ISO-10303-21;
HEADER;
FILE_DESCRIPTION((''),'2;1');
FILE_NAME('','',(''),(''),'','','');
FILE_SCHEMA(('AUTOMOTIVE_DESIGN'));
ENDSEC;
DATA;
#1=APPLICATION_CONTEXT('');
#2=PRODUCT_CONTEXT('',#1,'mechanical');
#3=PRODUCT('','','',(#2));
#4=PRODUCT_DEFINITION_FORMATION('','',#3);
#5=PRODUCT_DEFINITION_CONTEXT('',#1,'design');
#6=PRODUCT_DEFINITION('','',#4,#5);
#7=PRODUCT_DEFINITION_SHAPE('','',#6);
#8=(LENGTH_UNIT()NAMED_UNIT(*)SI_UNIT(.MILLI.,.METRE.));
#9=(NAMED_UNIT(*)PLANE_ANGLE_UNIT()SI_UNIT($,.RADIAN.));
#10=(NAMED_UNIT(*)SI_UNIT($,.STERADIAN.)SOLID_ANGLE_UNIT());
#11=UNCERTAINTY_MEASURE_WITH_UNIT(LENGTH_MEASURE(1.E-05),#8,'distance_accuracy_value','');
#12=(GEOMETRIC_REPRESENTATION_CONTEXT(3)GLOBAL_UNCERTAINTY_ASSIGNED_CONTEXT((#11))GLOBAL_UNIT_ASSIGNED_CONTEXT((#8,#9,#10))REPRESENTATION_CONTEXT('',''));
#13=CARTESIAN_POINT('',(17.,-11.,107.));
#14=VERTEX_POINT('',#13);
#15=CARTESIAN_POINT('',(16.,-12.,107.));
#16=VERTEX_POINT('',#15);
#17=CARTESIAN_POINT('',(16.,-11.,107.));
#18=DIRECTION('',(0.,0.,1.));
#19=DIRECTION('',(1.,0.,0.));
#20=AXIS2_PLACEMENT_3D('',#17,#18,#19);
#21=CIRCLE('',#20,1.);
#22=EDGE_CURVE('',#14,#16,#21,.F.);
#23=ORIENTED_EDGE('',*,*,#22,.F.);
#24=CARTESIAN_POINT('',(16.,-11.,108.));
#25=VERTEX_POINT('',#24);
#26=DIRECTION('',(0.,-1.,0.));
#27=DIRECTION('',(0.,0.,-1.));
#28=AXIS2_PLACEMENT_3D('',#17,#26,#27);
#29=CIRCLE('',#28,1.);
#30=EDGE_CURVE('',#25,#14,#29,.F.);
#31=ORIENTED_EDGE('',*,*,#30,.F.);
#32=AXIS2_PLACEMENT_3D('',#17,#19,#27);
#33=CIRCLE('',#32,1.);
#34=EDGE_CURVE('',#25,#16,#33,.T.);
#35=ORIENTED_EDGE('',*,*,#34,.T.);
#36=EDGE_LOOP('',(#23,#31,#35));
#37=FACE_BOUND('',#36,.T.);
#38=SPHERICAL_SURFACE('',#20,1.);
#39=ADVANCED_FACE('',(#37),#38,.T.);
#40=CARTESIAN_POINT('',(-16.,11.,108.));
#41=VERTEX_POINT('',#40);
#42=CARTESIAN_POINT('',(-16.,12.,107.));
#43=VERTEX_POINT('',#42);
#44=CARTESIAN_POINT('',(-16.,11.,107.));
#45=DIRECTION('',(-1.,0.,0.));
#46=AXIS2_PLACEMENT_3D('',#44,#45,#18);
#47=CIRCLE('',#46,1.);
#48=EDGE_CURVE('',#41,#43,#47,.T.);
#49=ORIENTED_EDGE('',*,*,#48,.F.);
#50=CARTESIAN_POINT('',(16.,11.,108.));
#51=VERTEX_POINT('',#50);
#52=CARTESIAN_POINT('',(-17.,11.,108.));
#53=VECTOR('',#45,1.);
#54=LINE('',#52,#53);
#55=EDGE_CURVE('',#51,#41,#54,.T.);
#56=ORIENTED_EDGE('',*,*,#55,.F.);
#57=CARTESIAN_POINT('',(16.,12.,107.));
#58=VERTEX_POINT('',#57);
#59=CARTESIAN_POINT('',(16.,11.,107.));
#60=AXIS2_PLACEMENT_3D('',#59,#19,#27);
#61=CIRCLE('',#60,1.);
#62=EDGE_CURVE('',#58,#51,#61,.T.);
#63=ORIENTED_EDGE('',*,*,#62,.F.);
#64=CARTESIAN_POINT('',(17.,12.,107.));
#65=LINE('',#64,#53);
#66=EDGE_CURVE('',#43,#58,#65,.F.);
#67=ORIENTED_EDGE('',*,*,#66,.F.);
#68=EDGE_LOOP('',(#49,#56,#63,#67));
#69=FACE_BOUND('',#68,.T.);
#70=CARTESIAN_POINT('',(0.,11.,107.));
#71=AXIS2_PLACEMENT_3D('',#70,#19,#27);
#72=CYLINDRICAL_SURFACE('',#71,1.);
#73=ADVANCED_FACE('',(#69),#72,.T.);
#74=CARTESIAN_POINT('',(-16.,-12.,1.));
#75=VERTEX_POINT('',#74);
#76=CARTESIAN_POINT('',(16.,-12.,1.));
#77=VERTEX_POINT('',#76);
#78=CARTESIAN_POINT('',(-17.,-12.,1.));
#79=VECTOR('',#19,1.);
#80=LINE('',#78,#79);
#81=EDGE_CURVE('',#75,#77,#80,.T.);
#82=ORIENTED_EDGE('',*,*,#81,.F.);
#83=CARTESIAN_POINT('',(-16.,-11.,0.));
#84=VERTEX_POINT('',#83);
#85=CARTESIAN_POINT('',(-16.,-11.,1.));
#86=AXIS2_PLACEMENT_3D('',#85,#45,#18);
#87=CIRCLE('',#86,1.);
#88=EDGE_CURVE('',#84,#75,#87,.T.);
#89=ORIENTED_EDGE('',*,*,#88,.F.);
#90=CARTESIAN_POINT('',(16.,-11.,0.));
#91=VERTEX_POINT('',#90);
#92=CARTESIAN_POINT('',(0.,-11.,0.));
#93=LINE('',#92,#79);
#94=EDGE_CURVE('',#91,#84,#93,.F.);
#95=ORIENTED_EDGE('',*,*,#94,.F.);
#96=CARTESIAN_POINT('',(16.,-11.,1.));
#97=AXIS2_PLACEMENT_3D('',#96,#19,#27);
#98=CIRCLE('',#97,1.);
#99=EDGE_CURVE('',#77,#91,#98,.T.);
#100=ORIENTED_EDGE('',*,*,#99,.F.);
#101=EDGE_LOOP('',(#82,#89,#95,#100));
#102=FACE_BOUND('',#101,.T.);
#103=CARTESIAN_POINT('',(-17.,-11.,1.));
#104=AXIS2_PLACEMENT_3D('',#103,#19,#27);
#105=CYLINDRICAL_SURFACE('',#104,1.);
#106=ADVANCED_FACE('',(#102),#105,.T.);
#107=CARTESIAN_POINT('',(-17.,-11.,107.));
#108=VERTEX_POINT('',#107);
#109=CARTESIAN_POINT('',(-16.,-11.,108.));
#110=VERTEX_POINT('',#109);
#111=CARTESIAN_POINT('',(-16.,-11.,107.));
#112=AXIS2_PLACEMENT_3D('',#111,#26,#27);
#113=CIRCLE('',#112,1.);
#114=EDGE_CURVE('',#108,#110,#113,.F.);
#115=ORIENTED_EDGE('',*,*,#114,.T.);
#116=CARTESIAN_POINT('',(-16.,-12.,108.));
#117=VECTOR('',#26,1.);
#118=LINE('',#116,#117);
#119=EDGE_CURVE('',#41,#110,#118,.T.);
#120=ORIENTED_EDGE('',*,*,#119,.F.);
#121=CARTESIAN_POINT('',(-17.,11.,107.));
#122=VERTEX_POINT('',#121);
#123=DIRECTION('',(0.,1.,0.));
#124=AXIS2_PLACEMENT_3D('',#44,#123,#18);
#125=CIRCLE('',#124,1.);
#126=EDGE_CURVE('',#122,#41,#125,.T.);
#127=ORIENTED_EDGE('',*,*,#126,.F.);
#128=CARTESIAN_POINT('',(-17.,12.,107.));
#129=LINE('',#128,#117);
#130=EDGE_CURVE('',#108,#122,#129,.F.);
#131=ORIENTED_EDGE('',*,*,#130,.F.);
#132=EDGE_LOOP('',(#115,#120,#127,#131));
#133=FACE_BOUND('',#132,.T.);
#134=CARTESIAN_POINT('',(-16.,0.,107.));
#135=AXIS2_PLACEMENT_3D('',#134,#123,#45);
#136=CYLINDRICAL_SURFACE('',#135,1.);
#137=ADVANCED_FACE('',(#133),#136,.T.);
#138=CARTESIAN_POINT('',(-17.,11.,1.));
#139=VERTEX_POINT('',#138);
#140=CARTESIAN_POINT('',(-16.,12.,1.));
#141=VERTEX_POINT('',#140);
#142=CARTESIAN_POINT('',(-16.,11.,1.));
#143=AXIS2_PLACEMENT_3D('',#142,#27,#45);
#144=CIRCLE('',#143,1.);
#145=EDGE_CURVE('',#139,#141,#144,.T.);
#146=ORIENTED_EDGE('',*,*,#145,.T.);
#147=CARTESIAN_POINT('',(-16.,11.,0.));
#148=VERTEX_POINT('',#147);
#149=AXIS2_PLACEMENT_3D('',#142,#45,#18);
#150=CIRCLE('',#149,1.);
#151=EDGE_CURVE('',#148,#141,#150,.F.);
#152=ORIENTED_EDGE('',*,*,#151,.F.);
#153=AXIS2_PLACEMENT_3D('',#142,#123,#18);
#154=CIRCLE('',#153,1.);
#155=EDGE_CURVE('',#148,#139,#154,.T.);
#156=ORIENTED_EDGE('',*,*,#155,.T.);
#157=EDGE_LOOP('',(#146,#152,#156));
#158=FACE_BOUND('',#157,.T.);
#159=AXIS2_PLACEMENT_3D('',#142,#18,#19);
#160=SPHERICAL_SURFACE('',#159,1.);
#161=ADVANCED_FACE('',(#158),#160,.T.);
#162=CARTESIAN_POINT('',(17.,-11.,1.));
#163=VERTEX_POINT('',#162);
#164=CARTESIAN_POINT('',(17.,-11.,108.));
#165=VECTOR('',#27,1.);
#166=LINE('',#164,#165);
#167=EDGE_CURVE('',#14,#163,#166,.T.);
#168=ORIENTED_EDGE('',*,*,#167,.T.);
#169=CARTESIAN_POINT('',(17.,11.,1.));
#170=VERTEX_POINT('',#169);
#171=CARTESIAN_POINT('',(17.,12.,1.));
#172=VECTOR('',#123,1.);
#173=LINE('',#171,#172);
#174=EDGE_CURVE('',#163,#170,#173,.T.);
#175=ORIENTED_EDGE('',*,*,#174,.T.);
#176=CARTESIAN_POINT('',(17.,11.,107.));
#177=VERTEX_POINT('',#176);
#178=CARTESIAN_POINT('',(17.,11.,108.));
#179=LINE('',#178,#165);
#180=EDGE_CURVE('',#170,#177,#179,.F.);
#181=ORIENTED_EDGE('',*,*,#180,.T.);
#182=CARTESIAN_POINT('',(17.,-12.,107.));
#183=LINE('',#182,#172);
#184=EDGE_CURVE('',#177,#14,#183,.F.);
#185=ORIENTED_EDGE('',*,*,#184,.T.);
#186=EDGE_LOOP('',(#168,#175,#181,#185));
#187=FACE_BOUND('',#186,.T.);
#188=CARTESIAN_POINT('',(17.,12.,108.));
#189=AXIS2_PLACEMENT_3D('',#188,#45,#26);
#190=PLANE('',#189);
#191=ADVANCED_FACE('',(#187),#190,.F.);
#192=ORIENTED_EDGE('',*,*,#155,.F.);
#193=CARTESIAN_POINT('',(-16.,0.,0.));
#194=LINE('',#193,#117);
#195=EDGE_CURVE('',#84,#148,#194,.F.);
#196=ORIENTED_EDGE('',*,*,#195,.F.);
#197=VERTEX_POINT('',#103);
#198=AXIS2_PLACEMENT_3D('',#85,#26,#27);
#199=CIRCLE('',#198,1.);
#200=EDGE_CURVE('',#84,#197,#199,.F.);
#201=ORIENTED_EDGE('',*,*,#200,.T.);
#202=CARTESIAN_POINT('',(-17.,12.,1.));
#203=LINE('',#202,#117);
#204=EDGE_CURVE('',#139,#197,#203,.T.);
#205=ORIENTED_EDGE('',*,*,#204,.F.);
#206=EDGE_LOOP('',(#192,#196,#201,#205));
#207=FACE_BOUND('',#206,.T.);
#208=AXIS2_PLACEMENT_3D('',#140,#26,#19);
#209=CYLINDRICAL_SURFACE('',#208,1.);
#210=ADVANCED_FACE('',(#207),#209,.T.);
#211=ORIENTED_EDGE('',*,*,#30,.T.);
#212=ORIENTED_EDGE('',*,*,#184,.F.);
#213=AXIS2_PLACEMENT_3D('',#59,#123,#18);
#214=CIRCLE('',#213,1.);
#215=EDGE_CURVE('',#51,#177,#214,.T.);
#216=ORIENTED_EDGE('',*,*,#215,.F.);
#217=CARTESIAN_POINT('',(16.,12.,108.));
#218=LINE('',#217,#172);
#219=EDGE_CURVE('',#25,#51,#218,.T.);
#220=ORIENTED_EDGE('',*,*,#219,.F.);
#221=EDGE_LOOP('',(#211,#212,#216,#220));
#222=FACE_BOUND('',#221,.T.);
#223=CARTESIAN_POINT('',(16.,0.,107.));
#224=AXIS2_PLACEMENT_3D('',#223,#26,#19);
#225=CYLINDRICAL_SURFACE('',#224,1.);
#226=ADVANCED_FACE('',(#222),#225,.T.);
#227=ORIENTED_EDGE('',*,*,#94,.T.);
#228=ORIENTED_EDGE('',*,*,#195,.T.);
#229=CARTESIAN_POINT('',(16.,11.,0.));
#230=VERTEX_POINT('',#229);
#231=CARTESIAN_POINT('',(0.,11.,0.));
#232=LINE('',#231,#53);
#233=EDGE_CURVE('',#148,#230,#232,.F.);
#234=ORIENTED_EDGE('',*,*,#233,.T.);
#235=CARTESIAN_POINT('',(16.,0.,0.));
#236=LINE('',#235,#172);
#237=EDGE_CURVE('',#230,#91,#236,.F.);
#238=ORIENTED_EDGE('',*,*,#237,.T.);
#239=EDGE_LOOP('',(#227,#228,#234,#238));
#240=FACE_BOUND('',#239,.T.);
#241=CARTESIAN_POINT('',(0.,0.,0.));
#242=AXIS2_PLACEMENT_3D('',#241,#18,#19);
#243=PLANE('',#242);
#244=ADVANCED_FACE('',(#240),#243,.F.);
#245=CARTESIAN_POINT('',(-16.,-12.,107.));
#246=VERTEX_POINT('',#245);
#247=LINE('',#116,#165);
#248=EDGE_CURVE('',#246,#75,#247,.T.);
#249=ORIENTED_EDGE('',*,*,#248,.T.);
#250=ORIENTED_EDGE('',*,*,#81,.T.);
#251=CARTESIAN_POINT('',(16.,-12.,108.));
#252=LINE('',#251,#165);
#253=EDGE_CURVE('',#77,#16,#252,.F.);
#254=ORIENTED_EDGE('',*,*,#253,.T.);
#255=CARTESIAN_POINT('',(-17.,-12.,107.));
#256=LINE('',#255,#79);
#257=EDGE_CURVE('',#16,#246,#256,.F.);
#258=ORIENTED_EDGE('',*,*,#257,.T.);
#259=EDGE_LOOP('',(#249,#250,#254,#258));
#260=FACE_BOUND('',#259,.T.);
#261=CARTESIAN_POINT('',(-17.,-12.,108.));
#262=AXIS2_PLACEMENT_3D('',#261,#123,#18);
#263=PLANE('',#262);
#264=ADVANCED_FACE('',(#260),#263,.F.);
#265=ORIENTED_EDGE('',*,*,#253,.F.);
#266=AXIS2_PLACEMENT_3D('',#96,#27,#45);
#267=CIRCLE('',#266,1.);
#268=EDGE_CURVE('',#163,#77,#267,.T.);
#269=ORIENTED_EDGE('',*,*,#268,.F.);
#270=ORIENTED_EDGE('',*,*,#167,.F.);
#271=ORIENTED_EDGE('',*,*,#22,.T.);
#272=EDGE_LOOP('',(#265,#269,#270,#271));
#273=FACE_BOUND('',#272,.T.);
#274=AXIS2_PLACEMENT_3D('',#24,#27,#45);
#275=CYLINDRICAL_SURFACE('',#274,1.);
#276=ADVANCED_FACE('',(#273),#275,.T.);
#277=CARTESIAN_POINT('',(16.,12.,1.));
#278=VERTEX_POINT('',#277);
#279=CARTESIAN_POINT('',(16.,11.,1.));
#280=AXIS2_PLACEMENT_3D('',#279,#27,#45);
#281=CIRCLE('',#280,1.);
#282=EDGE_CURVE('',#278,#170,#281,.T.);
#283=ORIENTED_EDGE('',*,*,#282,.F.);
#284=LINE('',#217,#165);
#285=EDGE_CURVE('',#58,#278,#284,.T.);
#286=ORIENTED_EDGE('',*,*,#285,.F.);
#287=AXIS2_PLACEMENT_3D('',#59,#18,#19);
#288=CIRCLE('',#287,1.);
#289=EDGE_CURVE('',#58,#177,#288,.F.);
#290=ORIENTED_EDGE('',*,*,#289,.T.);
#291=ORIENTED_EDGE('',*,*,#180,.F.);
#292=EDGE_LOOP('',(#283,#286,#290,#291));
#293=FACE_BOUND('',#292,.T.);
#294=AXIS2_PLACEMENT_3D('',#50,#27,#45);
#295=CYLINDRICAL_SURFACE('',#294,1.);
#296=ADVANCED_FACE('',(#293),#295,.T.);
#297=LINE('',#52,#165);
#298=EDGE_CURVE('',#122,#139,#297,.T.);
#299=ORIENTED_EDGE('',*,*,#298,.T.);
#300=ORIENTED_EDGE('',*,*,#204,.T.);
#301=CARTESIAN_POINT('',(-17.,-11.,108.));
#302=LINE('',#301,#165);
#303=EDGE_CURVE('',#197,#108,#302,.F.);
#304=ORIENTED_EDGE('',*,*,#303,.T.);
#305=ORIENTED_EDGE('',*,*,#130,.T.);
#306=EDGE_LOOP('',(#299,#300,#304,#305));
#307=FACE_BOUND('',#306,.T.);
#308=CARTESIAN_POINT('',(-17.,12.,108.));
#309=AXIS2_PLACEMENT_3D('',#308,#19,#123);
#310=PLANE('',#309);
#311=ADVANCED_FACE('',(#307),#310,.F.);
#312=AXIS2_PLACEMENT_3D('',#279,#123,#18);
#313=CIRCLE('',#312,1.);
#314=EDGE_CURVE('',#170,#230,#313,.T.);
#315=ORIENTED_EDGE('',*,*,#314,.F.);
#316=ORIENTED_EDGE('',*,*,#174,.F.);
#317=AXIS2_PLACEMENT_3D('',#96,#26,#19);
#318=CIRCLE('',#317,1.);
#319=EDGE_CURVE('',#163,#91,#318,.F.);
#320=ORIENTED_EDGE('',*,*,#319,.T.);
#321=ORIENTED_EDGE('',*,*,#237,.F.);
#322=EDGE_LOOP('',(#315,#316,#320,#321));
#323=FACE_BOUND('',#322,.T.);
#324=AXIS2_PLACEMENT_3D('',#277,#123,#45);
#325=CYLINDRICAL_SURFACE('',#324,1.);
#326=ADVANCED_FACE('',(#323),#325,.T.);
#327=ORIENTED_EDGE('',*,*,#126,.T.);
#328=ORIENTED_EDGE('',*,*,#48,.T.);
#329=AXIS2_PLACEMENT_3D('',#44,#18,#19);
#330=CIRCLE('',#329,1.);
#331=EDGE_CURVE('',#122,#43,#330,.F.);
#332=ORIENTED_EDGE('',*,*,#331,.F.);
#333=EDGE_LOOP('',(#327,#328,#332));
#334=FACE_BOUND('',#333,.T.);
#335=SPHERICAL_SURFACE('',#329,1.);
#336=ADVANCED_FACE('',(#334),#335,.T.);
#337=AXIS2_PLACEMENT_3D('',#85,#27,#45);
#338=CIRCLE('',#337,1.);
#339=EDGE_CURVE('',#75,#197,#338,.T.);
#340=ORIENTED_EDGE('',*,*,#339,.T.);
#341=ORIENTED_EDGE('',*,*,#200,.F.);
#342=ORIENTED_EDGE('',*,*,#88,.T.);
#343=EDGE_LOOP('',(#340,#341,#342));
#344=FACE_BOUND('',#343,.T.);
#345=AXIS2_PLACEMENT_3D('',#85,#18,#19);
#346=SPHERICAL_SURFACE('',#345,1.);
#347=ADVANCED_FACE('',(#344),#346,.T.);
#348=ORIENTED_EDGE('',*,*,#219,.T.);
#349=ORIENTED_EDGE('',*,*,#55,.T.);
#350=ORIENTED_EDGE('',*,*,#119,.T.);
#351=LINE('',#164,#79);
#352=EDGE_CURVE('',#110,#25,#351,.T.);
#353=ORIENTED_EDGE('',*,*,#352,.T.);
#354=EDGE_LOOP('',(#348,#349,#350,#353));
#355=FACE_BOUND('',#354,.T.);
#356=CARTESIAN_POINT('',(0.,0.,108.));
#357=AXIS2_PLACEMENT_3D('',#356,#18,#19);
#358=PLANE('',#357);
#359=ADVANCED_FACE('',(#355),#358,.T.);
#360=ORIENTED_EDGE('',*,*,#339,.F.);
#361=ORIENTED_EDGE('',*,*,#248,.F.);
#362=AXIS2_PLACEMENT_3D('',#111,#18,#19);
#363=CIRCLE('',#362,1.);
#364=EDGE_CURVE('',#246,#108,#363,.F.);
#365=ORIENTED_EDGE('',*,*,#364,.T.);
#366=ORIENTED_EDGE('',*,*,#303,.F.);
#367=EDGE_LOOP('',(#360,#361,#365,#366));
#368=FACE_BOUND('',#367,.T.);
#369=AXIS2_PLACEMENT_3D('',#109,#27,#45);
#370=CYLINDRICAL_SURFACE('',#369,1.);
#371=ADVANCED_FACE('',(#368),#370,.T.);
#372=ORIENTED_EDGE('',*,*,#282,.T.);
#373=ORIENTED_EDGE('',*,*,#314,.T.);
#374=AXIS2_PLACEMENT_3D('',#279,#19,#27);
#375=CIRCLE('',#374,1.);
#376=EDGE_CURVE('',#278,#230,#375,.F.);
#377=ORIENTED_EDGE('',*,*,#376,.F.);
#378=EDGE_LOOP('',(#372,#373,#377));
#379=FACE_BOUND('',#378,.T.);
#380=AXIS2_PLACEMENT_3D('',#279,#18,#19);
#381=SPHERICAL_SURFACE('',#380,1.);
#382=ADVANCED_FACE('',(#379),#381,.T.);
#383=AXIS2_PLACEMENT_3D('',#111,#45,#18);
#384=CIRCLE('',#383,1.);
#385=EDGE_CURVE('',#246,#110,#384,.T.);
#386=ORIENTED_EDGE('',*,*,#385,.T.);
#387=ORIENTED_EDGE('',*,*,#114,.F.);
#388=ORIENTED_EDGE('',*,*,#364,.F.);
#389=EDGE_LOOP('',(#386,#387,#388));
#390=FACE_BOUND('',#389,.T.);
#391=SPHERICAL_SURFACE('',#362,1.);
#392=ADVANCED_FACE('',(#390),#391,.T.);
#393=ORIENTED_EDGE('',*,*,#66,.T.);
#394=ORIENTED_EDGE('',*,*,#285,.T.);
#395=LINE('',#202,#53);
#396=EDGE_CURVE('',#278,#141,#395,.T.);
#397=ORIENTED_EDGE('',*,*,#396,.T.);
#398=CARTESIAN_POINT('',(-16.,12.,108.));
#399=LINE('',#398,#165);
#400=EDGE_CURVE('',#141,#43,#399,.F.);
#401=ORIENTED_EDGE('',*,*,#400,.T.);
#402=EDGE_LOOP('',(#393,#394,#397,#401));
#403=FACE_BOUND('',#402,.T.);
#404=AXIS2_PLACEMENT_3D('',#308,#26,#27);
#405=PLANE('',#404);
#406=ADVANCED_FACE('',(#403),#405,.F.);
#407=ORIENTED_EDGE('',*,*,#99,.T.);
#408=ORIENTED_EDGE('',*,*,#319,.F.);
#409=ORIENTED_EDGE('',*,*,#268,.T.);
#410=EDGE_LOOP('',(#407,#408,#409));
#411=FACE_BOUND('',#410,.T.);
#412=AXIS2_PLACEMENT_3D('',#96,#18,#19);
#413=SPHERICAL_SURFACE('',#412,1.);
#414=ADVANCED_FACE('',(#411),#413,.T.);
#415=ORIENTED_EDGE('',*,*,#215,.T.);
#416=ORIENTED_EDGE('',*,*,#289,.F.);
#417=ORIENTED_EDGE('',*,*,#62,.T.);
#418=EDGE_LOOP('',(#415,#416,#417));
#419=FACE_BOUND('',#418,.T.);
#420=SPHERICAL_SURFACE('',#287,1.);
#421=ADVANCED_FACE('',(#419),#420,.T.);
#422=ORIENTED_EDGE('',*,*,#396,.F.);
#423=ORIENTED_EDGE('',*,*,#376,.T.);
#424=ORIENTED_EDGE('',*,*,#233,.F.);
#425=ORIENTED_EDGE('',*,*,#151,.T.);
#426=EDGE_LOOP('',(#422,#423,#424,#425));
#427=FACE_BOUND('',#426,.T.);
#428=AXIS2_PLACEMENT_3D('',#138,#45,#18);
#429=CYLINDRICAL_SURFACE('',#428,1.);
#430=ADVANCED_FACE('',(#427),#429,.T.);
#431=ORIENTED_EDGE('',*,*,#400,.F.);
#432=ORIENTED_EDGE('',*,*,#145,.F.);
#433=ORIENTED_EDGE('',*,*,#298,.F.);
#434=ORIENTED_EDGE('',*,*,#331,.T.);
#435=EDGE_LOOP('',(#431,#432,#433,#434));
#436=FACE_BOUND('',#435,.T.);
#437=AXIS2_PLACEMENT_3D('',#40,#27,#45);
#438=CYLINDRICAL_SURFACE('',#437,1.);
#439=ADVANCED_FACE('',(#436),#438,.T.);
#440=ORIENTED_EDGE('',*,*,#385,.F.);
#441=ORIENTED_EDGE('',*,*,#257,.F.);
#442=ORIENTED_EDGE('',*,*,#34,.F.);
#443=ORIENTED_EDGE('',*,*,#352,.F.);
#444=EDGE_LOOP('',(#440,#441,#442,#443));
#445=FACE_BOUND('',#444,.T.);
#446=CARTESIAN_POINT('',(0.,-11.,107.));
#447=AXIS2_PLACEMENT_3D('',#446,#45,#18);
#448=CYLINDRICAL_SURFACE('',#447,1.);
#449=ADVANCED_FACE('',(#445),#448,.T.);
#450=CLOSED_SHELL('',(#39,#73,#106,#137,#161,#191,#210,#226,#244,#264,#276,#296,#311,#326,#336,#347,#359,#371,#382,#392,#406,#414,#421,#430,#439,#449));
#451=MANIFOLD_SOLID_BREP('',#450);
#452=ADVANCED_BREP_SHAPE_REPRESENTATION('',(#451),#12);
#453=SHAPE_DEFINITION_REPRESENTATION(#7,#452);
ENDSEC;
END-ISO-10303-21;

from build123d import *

# Parameters (mm, degrees)
SKETCH1_W           = 34
SKETCH1_H           = 24
BOSS_EXTRUDE1_DEPTH = 108
FILLET1_R           = 1


with BuildPart() as part:
    # Sketch1 → Boss-Extrude1 (new body)
    with BuildSketch(Plane.XY):
        Rectangle(SKETCH1_W, SKETCH1_H)
    extrude(amount=BOSS_EXTRUDE1_DEPTH)

    # Fillet1
    fillet1_edges = [part.edges().sort_by_distance(p)[0] for p in [
        (17, 0, 108),
        (0, 12, 108),
        (-17, 0, 108),
        (0, 12, 0),
        (17, 0, 0),
        (0, -12, 0),
        (-17, 0, 0),
        (0, -12, 108),
        (-17, 12, 54),
        (17, 12, 54),
        (17, -12, 54),
        (-17, -12, 54),
    ]]
    fillet(fillet1_edges, radius=FILLET1_R)


solid = part.part
